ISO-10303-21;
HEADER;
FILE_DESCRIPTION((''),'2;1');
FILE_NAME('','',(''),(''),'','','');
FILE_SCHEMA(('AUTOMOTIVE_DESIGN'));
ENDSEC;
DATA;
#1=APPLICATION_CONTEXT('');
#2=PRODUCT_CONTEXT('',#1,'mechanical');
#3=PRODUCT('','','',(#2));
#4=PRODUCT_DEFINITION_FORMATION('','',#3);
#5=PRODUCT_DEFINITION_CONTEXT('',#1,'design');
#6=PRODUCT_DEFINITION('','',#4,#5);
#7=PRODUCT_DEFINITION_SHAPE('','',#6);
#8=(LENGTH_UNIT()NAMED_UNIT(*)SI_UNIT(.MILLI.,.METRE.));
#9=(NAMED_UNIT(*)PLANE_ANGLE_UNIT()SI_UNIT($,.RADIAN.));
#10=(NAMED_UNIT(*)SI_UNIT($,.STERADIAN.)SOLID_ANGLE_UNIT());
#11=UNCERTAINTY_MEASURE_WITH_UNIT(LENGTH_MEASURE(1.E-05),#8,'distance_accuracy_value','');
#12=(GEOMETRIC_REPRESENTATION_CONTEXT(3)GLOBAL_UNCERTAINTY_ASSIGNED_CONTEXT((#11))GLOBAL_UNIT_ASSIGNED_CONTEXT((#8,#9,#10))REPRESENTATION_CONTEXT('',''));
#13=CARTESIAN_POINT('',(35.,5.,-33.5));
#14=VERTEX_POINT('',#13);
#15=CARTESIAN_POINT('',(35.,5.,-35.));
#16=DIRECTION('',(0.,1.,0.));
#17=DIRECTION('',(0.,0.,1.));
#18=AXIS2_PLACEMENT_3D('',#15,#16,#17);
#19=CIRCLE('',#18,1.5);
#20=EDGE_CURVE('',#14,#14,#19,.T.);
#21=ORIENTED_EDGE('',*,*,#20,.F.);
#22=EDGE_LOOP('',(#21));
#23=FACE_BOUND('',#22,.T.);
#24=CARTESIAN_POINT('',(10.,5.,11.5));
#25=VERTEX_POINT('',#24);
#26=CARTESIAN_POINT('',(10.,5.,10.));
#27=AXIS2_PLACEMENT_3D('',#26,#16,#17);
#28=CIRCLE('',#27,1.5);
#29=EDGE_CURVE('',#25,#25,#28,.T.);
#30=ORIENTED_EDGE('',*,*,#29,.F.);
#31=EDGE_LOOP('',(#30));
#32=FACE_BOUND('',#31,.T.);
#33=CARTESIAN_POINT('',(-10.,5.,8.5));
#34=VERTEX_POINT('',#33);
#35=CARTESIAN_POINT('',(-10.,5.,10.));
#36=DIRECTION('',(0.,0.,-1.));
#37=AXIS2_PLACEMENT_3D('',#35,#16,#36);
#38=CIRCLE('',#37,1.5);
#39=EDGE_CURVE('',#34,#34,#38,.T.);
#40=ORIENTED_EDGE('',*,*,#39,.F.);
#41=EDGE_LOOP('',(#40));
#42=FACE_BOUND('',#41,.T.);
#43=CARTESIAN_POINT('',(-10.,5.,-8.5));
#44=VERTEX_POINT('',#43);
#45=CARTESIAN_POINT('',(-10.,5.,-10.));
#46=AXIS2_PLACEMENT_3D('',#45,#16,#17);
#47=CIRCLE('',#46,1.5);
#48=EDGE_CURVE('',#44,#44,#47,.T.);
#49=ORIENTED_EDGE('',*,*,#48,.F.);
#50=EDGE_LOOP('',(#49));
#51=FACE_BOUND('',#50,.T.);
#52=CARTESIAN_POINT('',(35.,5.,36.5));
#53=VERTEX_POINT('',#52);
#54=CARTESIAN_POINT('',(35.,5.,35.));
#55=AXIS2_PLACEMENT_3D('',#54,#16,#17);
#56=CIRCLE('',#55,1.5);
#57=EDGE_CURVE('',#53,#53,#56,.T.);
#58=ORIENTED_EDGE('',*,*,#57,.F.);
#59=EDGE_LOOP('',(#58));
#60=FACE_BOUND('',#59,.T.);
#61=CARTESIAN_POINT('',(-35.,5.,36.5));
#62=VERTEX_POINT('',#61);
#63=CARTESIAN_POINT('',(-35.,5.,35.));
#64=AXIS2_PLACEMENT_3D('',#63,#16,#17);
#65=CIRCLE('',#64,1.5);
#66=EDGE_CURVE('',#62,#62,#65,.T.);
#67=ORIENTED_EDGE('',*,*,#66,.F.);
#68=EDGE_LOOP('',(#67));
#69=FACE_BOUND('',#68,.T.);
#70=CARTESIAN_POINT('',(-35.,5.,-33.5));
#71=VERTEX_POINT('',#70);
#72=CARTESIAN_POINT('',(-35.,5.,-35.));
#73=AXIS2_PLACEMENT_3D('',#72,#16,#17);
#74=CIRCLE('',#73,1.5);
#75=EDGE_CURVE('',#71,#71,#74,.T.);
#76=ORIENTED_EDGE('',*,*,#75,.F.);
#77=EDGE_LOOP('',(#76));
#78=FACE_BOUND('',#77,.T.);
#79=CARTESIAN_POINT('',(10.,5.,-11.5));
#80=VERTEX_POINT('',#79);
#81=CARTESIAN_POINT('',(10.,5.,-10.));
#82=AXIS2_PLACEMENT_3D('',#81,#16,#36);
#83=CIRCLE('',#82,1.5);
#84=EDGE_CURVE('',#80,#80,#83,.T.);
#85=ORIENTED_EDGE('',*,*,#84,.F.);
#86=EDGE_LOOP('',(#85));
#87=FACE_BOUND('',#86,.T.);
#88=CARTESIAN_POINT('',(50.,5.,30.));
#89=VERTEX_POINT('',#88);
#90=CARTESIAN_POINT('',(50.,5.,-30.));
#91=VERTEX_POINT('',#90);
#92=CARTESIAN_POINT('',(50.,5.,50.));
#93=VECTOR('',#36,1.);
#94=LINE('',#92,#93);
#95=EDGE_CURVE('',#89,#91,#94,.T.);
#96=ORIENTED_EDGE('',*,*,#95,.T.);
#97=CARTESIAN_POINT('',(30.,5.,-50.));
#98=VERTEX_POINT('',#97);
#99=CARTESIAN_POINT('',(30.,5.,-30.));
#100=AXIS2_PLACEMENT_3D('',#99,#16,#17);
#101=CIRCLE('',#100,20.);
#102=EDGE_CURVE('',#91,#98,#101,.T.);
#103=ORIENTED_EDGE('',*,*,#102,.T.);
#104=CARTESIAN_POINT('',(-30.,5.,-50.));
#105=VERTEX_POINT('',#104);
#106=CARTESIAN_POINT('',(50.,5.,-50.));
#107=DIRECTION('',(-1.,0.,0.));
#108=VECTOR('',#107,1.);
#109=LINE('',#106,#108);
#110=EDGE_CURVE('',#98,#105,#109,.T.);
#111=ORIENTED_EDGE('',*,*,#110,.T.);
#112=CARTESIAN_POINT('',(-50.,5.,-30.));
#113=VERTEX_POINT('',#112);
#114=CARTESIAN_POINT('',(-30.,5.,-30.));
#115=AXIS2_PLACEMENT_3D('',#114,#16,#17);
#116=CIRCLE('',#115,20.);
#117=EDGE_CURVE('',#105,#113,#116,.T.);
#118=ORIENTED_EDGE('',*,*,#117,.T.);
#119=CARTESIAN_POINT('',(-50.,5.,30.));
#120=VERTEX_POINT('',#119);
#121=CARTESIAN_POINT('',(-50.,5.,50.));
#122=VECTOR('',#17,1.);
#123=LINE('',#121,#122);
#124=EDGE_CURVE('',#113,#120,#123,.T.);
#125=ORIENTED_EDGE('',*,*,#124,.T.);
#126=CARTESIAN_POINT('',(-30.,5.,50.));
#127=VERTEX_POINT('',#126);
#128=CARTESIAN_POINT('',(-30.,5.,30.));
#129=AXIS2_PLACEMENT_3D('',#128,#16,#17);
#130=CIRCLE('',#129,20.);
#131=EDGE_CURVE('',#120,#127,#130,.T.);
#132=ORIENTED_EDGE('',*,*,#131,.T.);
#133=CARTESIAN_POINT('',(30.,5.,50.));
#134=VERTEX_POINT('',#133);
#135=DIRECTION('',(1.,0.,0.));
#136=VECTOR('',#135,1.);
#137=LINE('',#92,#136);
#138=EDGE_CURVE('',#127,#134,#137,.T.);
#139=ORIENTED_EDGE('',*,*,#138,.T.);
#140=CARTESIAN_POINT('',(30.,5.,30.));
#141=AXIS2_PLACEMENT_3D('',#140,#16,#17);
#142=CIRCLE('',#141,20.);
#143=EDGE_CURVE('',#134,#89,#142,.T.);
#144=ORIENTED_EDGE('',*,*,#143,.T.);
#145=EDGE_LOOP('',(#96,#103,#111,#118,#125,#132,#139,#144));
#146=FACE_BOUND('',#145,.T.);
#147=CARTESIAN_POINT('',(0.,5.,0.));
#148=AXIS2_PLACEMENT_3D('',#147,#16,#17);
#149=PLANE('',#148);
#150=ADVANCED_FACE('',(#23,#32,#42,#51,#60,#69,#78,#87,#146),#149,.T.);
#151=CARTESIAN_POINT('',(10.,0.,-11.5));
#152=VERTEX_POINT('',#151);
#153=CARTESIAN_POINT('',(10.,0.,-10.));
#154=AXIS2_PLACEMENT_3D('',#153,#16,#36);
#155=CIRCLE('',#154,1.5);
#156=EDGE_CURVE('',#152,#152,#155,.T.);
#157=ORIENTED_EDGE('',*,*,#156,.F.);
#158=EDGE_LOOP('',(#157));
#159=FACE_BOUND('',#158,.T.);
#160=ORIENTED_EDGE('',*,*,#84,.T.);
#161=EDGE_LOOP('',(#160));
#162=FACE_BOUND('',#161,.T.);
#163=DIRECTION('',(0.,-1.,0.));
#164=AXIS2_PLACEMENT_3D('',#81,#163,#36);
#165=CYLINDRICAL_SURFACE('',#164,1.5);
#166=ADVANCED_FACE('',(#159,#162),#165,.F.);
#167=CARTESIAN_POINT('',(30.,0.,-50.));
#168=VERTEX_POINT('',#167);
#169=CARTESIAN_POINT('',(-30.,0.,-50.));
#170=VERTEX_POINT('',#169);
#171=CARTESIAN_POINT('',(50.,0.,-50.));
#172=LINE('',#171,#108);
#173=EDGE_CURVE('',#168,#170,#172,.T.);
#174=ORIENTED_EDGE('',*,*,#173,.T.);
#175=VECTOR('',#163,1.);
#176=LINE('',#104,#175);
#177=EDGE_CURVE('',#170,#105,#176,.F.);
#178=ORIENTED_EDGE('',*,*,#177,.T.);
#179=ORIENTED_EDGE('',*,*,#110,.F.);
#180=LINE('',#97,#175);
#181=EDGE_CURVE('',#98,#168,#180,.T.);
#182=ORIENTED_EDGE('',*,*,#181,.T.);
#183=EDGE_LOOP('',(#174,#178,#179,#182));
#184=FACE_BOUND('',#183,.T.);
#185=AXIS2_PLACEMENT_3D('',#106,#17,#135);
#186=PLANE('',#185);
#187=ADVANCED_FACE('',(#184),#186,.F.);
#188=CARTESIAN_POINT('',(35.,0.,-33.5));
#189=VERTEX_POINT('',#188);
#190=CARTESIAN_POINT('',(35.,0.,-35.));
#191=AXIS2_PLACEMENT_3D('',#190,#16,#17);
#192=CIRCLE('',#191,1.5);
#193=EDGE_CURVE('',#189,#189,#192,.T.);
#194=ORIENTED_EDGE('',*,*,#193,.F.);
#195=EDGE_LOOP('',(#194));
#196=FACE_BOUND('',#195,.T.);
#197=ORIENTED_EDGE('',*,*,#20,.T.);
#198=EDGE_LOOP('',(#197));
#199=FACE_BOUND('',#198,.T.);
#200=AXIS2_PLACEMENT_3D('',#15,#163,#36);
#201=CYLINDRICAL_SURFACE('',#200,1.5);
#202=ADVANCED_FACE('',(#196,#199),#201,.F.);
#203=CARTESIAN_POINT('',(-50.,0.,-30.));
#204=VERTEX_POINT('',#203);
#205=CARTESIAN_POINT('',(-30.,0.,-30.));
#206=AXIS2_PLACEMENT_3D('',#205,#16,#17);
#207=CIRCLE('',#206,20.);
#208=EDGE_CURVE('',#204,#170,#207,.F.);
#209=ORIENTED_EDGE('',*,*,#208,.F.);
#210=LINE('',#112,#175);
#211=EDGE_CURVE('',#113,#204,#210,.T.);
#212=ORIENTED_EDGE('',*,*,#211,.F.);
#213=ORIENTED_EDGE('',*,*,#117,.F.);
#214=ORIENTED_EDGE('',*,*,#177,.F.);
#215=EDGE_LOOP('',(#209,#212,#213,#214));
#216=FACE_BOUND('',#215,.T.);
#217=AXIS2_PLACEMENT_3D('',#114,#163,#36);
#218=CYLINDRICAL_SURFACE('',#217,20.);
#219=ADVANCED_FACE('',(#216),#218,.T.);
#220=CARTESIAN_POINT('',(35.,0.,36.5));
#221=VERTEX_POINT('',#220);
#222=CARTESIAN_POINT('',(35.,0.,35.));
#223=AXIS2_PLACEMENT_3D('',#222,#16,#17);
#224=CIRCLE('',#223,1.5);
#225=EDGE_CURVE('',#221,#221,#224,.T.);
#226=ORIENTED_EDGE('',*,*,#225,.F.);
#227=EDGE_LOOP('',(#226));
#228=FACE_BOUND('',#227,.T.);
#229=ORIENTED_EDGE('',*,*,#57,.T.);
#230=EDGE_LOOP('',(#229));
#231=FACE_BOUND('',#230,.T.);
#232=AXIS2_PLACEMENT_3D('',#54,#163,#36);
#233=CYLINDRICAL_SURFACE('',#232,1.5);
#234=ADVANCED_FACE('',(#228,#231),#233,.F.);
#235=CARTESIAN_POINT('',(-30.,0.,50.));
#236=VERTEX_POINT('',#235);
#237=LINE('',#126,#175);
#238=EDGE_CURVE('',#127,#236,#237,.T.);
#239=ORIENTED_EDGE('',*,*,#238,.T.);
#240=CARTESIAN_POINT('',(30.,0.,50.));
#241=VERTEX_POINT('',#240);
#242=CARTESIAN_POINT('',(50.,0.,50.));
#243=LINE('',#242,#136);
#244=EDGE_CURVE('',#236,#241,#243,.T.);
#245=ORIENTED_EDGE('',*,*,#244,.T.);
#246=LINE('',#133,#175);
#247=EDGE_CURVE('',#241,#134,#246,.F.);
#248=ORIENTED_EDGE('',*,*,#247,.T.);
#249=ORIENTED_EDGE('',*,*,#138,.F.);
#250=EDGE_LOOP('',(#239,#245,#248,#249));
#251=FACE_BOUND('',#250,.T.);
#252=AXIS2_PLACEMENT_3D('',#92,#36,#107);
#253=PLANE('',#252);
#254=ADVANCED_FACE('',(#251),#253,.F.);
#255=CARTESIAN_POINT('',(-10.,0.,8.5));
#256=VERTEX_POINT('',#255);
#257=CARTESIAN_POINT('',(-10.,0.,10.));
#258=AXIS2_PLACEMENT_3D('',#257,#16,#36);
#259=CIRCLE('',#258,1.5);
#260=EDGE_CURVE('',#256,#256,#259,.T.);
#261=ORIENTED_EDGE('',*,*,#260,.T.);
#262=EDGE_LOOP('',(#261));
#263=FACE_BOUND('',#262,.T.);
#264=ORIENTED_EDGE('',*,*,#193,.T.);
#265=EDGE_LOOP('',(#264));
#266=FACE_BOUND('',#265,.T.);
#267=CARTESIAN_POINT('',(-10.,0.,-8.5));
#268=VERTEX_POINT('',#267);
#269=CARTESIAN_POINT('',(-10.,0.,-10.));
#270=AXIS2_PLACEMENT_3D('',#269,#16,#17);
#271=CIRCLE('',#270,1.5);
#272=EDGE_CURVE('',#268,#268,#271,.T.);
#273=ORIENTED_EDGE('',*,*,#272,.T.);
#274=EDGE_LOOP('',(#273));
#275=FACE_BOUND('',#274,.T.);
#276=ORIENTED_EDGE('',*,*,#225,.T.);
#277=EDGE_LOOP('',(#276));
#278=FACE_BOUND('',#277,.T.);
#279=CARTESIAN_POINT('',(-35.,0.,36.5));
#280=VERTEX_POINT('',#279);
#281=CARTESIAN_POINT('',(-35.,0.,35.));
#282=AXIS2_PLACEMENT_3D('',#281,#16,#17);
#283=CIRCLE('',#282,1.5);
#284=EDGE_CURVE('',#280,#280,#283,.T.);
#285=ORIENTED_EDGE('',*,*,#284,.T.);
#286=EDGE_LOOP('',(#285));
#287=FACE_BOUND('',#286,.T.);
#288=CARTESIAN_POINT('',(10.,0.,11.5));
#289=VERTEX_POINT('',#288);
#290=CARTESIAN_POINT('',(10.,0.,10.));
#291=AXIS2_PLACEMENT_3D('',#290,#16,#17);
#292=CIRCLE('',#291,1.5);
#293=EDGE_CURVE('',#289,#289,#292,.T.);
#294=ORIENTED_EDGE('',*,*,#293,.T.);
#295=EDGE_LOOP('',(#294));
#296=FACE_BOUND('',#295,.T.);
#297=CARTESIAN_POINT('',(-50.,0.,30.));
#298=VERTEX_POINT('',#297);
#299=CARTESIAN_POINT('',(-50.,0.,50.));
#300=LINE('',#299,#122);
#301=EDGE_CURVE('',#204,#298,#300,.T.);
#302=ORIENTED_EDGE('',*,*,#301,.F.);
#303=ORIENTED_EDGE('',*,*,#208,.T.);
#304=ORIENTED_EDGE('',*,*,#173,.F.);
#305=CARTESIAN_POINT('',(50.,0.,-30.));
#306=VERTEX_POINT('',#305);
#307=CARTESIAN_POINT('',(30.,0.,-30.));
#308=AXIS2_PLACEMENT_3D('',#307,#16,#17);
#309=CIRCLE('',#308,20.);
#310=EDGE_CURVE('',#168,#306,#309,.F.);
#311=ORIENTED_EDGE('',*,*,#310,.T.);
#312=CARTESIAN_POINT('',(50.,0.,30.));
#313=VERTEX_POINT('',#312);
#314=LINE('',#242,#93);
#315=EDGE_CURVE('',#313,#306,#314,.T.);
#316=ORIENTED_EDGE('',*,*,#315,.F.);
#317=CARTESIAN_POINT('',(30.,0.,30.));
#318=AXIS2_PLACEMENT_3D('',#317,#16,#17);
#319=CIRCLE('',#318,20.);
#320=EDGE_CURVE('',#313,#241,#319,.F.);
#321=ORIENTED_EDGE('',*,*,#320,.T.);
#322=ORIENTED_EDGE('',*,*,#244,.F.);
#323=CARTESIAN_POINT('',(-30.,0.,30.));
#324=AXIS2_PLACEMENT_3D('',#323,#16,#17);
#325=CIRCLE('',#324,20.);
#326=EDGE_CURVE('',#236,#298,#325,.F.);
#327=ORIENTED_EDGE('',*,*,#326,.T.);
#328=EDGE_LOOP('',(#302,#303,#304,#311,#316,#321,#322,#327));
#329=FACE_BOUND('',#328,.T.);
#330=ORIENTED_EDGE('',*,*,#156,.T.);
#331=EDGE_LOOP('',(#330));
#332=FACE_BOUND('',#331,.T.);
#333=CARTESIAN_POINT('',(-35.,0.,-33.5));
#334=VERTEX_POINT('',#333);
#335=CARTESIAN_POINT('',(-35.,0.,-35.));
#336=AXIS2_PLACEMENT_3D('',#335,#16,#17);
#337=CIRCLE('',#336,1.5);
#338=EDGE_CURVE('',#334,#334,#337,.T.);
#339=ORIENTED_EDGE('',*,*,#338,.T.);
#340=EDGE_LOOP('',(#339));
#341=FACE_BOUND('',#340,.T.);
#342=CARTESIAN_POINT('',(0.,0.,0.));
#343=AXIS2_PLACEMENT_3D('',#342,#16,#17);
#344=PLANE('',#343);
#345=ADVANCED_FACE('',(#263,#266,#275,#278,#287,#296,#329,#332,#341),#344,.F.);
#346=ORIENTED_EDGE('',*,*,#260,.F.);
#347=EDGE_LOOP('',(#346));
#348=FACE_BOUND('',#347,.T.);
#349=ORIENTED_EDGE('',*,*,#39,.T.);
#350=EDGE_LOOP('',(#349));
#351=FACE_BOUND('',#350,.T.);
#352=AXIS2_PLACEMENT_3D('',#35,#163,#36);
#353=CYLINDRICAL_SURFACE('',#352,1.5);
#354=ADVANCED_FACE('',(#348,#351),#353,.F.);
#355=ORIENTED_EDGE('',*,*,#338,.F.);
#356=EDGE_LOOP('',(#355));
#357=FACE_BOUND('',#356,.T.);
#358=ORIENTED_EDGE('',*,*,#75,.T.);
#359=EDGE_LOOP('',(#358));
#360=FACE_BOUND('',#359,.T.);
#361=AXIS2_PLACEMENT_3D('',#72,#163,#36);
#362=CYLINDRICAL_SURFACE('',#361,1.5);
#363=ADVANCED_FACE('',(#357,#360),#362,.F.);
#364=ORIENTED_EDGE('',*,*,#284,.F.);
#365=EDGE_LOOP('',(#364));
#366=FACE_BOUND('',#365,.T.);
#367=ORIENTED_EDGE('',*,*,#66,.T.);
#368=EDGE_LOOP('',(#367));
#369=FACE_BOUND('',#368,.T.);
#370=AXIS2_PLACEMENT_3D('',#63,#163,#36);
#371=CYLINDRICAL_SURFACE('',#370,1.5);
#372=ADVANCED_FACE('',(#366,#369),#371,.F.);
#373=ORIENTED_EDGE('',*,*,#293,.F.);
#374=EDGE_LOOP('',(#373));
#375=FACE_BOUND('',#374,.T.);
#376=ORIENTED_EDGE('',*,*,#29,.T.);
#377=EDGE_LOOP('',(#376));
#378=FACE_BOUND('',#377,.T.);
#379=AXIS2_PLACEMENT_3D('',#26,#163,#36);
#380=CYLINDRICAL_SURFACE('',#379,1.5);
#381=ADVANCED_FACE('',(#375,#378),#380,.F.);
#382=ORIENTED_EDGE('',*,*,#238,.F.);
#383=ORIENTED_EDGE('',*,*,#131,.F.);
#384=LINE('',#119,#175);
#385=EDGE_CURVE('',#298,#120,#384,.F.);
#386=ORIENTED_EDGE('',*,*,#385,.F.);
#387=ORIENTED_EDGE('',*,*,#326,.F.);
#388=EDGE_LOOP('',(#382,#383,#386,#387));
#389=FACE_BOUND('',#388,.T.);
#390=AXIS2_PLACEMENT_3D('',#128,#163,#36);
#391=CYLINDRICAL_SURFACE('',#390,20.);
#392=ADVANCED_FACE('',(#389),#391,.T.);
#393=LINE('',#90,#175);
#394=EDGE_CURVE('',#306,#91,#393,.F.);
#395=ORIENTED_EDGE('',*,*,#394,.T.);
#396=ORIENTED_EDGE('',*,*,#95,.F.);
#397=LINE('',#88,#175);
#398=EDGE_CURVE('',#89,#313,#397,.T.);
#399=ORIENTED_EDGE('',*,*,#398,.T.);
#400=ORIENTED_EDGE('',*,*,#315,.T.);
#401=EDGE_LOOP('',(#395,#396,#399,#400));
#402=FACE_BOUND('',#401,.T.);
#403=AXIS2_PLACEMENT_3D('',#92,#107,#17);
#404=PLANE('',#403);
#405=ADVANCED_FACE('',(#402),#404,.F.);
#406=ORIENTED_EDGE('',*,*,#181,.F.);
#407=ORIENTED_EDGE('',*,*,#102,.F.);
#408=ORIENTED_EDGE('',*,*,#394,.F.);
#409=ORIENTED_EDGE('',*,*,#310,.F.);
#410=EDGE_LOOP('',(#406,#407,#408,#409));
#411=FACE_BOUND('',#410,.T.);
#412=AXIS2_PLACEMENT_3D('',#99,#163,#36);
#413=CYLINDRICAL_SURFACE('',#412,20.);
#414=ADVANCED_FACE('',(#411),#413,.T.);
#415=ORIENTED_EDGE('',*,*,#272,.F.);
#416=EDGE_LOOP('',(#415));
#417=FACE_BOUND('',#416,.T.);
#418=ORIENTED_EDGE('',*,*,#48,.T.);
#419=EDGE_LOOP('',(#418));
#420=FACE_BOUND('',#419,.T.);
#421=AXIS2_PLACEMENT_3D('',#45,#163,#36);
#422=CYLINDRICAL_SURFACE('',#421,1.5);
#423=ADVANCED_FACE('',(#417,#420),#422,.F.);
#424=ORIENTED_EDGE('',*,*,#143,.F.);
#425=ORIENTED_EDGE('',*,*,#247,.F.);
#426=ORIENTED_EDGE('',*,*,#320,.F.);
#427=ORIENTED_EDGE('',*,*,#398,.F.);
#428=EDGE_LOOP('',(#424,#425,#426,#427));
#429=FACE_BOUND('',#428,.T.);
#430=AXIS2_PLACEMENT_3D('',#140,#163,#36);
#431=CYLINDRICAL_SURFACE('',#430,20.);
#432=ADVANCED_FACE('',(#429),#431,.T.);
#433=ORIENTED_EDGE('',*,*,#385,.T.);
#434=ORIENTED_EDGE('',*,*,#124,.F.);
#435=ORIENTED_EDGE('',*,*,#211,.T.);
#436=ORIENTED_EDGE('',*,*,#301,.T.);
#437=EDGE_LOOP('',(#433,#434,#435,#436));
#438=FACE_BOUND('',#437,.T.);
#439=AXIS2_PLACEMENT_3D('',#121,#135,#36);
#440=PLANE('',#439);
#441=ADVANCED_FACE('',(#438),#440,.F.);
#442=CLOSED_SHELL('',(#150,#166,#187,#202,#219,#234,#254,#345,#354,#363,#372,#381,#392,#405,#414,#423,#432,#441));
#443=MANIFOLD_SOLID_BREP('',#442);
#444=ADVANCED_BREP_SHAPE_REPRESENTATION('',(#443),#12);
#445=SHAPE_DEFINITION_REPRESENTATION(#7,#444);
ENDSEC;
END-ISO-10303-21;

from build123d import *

# Parameters (mm, degrees)
SKETCH_1_W      = 100
SKETCH_1_H      = 100
SKETCH_1_R      = 1.5
EXTRUDE_1_DEPTH = 5
FILLET_1_R      = 20


with BuildPart() as part:
    # 草图1 → 凸台-拉伸1 (new body)
    with BuildSketch(Plane(origin=(0, 0, 0), x_dir=(1, 0, 0), z_dir=(0, 1, 0))):
        Rectangle(SKETCH_1_W, SKETCH_1_H)
        with Locations((-35, 35)):
            Circle(SKETCH_1_R, mode=Mode.SUBTRACT)
        with Locations((35, 35)):
            Circle(SKETCH_1_R, mode=Mode.SUBTRACT)
        with Locations((35, -35)):
            Circle(SKETCH_1_R, mode=Mode.SUBTRACT)
        with Locations((-35, -35)):
            Circle(SKETCH_1_R, mode=Mode.SUBTRACT)
        with Locations((-10, 10)):
            Circle(SKETCH_1_R, mode=Mode.SUBTRACT)
        with Locations((10, 10)):
            Circle(SKETCH_1_R, mode=Mode.SUBTRACT)
        with Locations((10, -10)):
            Circle(SKETCH_1_R, mode=Mode.SUBTRACT)
        with Locations((-10, -10)):
            Circle(SKETCH_1_R, mode=Mode.SUBTRACT)
    extrude(amount=EXTRUDE_1_DEPTH)

    # 圆角1
    fillet_1_edges = [part.edges().sort_by_distance(p)[0] for p in [
        (-50, 2.5, -50),
        (50, 2.5, -50),
        (50, 2.5, 50),
        (-50, 2.5, 50),
    ]]
    fillet(fillet_1_edges, radius=FILLET_1_R)


solid = part.part
